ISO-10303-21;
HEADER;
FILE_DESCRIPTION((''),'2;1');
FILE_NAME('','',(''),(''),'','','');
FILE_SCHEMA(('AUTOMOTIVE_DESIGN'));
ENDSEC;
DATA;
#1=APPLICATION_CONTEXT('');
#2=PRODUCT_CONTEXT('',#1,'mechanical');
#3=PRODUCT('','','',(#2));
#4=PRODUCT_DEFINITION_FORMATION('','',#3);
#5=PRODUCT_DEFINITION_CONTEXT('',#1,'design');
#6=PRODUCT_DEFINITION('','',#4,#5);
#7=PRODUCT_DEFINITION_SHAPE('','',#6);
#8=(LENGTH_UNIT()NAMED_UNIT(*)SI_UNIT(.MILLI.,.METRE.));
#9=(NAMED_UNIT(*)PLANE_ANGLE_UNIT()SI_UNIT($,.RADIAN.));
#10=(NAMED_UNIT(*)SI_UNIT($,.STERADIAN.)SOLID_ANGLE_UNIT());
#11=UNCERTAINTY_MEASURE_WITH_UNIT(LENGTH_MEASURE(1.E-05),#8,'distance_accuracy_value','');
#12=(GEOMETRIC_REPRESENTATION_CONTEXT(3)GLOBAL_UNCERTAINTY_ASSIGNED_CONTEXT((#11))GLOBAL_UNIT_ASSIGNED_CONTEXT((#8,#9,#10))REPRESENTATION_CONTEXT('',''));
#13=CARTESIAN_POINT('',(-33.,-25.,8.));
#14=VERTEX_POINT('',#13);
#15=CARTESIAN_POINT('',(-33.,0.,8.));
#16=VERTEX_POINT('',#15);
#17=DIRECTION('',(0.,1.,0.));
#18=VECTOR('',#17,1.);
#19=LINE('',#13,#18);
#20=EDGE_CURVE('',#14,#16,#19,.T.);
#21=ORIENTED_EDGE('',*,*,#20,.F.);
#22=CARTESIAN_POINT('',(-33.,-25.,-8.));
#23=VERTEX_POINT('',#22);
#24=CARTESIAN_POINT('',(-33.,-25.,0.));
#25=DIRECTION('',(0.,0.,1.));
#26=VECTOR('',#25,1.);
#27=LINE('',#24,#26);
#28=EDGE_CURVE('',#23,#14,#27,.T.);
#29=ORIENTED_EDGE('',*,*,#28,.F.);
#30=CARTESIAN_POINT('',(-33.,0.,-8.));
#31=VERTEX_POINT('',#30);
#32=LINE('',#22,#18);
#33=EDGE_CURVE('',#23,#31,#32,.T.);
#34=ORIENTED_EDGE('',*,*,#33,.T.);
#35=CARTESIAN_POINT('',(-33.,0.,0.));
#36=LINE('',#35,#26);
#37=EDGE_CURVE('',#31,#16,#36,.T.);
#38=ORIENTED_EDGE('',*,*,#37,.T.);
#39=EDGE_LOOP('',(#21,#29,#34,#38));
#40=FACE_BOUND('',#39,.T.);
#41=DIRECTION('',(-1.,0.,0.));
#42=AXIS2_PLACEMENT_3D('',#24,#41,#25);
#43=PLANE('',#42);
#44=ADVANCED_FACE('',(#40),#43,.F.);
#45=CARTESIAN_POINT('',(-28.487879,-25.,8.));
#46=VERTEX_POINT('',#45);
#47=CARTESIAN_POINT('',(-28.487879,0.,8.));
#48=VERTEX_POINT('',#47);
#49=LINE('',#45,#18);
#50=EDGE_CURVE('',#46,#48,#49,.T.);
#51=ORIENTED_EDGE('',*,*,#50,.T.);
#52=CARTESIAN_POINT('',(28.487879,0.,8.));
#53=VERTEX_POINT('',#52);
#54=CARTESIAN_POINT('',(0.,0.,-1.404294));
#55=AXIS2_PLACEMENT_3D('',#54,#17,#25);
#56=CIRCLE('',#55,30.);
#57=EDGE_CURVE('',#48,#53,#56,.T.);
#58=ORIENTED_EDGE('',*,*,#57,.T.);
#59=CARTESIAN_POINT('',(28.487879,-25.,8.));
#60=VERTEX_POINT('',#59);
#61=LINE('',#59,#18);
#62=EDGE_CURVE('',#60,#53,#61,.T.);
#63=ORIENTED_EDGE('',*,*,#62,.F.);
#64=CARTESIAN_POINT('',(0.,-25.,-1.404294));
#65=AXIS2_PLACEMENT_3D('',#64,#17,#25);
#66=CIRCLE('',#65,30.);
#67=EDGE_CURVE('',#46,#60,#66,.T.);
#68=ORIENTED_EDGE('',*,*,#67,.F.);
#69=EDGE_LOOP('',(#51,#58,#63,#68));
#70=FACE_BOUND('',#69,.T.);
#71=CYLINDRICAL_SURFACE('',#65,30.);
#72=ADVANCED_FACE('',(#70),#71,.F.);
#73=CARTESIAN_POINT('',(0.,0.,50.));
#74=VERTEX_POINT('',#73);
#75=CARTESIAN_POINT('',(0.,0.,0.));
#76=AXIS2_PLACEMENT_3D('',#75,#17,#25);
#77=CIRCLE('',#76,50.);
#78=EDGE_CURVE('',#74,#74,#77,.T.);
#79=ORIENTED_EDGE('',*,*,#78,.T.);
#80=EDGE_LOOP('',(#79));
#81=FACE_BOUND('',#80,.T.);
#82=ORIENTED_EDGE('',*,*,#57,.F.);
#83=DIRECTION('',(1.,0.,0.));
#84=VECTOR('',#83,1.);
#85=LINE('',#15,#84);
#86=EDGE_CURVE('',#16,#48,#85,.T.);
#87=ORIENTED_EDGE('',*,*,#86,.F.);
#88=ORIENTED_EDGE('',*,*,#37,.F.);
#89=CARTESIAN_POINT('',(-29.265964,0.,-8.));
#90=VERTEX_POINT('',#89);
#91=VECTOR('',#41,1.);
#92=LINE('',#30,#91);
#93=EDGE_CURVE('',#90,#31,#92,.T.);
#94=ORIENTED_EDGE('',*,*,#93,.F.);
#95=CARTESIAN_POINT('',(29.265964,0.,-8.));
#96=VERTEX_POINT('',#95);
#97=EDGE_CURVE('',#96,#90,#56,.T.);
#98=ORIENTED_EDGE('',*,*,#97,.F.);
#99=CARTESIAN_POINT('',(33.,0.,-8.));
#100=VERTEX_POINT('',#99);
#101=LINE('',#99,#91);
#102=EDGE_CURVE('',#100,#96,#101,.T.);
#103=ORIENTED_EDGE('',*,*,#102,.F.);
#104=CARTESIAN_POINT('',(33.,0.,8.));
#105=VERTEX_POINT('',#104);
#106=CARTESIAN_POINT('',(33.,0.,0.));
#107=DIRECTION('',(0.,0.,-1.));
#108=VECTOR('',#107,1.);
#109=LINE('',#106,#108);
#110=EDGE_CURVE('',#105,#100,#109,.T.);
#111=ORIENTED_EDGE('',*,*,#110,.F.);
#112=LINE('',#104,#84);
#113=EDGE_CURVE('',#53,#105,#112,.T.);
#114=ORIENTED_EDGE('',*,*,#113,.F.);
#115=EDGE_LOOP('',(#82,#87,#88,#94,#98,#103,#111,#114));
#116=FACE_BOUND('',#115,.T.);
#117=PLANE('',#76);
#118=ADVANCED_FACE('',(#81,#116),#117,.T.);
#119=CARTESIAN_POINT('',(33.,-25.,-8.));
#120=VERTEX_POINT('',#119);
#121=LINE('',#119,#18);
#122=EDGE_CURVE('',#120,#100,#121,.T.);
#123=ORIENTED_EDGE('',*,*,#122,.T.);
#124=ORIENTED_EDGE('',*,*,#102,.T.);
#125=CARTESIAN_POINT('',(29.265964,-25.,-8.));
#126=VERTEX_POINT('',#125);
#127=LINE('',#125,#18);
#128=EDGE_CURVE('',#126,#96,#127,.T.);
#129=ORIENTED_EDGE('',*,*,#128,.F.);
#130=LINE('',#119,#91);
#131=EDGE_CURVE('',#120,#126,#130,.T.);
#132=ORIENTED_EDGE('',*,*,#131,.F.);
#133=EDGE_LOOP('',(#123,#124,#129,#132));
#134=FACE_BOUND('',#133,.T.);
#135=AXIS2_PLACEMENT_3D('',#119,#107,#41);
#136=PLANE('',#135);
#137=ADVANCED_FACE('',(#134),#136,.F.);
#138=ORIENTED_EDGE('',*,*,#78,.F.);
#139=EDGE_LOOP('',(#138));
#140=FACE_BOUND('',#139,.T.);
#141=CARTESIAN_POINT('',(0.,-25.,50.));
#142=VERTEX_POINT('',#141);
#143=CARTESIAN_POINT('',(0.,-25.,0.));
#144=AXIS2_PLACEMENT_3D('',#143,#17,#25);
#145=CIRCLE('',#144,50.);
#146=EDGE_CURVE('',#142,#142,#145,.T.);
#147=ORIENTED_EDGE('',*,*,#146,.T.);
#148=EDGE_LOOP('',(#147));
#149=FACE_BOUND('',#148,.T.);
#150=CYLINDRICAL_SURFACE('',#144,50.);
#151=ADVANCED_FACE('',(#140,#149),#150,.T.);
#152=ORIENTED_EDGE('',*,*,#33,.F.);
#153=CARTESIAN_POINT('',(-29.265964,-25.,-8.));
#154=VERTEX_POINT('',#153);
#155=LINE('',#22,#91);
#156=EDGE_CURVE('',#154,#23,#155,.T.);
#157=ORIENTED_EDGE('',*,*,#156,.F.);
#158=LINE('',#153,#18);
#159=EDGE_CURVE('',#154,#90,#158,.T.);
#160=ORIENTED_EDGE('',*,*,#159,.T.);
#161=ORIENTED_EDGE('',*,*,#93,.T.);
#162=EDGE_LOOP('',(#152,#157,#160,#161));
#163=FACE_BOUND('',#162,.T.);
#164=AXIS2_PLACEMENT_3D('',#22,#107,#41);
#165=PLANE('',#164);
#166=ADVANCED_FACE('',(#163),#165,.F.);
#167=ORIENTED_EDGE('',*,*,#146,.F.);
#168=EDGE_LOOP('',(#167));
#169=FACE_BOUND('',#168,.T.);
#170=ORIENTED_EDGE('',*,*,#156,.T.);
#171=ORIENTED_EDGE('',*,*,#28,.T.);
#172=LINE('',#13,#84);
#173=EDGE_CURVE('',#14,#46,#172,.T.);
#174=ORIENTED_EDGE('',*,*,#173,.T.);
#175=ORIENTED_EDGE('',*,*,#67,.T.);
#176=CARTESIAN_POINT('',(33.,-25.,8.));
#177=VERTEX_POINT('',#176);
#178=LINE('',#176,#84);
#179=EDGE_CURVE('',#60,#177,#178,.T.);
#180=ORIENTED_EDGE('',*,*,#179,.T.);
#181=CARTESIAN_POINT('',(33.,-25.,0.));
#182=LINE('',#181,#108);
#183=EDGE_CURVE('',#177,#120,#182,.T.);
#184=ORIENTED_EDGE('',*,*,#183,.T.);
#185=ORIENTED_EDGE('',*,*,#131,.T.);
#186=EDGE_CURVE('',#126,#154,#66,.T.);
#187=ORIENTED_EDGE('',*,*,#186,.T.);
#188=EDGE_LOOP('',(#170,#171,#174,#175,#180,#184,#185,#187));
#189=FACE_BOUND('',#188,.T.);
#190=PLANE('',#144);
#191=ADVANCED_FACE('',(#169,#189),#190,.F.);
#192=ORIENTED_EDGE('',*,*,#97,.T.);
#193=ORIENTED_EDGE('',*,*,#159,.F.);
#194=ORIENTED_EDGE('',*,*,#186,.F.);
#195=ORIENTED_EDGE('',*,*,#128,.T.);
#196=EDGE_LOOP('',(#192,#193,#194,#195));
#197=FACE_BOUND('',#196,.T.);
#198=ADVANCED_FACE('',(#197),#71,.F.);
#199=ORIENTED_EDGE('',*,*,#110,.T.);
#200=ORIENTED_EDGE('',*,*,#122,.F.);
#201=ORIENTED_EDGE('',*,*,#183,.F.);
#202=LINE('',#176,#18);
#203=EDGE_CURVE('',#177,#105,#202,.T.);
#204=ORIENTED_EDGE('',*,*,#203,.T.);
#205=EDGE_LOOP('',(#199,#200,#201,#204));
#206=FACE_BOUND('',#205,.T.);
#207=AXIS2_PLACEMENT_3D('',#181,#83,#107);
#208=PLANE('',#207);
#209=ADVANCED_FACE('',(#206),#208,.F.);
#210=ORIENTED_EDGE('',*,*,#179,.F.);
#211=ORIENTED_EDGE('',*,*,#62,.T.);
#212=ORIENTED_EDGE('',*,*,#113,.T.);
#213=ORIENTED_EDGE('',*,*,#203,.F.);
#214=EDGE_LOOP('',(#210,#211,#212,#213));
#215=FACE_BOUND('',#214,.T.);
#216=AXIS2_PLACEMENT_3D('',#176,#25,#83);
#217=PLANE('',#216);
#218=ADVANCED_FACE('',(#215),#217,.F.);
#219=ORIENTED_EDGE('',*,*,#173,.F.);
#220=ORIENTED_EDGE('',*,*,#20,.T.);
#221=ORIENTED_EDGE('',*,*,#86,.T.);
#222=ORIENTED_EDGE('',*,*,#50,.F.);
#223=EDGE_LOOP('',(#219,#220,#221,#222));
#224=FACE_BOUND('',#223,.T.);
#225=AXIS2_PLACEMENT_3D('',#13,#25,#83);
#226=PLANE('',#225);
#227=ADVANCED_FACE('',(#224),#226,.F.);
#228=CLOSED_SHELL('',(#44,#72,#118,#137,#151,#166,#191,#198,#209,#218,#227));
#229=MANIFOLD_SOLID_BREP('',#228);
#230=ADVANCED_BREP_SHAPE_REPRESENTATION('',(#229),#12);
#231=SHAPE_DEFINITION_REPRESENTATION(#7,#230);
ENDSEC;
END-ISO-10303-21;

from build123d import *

# Parameters (mm, degrees)
SKETCH2_R           = 50
BOSS_EXTRUDE1_DEPTH = 25


with BuildPart() as part:
    # Sketch2 → Boss-Extrude1 (new body)
    with BuildSketch(Plane(origin=(0, 0, 0), x_dir=(1, 0, 0), z_dir=(0, 1, 0))):
        with Locations(Location((0, 0, 0), (0, 0, 270))):
            Circle(SKETCH2_R)
        with BuildLine():
            Line((33, 0), (33, 8))
            Line((33, 8), (29.265964208, 8))
            ThreePointArc((29.265964208, 8), (0, 31.404293899), (-29.265964208, 8))
            Line((-29.265964208, 8), (-33, 8))
            Line((-33, 8), (-33, 0))
            Line((-33, 0), (-33, -8))
            Line((-33, -8), (-28.487879111, -8))
            ThreePointArc((-28.487879111, -8), (0, -28.595706101), (28.487879111, -8))
            Line((28.487879111, -8), (33, -8))
            Line((33, -8), (33, 0))
        make_face(mode=Mode.SUBTRACT)
    extrude(amount=-BOSS_EXTRUDE1_DEPTH)


solid = part.part
